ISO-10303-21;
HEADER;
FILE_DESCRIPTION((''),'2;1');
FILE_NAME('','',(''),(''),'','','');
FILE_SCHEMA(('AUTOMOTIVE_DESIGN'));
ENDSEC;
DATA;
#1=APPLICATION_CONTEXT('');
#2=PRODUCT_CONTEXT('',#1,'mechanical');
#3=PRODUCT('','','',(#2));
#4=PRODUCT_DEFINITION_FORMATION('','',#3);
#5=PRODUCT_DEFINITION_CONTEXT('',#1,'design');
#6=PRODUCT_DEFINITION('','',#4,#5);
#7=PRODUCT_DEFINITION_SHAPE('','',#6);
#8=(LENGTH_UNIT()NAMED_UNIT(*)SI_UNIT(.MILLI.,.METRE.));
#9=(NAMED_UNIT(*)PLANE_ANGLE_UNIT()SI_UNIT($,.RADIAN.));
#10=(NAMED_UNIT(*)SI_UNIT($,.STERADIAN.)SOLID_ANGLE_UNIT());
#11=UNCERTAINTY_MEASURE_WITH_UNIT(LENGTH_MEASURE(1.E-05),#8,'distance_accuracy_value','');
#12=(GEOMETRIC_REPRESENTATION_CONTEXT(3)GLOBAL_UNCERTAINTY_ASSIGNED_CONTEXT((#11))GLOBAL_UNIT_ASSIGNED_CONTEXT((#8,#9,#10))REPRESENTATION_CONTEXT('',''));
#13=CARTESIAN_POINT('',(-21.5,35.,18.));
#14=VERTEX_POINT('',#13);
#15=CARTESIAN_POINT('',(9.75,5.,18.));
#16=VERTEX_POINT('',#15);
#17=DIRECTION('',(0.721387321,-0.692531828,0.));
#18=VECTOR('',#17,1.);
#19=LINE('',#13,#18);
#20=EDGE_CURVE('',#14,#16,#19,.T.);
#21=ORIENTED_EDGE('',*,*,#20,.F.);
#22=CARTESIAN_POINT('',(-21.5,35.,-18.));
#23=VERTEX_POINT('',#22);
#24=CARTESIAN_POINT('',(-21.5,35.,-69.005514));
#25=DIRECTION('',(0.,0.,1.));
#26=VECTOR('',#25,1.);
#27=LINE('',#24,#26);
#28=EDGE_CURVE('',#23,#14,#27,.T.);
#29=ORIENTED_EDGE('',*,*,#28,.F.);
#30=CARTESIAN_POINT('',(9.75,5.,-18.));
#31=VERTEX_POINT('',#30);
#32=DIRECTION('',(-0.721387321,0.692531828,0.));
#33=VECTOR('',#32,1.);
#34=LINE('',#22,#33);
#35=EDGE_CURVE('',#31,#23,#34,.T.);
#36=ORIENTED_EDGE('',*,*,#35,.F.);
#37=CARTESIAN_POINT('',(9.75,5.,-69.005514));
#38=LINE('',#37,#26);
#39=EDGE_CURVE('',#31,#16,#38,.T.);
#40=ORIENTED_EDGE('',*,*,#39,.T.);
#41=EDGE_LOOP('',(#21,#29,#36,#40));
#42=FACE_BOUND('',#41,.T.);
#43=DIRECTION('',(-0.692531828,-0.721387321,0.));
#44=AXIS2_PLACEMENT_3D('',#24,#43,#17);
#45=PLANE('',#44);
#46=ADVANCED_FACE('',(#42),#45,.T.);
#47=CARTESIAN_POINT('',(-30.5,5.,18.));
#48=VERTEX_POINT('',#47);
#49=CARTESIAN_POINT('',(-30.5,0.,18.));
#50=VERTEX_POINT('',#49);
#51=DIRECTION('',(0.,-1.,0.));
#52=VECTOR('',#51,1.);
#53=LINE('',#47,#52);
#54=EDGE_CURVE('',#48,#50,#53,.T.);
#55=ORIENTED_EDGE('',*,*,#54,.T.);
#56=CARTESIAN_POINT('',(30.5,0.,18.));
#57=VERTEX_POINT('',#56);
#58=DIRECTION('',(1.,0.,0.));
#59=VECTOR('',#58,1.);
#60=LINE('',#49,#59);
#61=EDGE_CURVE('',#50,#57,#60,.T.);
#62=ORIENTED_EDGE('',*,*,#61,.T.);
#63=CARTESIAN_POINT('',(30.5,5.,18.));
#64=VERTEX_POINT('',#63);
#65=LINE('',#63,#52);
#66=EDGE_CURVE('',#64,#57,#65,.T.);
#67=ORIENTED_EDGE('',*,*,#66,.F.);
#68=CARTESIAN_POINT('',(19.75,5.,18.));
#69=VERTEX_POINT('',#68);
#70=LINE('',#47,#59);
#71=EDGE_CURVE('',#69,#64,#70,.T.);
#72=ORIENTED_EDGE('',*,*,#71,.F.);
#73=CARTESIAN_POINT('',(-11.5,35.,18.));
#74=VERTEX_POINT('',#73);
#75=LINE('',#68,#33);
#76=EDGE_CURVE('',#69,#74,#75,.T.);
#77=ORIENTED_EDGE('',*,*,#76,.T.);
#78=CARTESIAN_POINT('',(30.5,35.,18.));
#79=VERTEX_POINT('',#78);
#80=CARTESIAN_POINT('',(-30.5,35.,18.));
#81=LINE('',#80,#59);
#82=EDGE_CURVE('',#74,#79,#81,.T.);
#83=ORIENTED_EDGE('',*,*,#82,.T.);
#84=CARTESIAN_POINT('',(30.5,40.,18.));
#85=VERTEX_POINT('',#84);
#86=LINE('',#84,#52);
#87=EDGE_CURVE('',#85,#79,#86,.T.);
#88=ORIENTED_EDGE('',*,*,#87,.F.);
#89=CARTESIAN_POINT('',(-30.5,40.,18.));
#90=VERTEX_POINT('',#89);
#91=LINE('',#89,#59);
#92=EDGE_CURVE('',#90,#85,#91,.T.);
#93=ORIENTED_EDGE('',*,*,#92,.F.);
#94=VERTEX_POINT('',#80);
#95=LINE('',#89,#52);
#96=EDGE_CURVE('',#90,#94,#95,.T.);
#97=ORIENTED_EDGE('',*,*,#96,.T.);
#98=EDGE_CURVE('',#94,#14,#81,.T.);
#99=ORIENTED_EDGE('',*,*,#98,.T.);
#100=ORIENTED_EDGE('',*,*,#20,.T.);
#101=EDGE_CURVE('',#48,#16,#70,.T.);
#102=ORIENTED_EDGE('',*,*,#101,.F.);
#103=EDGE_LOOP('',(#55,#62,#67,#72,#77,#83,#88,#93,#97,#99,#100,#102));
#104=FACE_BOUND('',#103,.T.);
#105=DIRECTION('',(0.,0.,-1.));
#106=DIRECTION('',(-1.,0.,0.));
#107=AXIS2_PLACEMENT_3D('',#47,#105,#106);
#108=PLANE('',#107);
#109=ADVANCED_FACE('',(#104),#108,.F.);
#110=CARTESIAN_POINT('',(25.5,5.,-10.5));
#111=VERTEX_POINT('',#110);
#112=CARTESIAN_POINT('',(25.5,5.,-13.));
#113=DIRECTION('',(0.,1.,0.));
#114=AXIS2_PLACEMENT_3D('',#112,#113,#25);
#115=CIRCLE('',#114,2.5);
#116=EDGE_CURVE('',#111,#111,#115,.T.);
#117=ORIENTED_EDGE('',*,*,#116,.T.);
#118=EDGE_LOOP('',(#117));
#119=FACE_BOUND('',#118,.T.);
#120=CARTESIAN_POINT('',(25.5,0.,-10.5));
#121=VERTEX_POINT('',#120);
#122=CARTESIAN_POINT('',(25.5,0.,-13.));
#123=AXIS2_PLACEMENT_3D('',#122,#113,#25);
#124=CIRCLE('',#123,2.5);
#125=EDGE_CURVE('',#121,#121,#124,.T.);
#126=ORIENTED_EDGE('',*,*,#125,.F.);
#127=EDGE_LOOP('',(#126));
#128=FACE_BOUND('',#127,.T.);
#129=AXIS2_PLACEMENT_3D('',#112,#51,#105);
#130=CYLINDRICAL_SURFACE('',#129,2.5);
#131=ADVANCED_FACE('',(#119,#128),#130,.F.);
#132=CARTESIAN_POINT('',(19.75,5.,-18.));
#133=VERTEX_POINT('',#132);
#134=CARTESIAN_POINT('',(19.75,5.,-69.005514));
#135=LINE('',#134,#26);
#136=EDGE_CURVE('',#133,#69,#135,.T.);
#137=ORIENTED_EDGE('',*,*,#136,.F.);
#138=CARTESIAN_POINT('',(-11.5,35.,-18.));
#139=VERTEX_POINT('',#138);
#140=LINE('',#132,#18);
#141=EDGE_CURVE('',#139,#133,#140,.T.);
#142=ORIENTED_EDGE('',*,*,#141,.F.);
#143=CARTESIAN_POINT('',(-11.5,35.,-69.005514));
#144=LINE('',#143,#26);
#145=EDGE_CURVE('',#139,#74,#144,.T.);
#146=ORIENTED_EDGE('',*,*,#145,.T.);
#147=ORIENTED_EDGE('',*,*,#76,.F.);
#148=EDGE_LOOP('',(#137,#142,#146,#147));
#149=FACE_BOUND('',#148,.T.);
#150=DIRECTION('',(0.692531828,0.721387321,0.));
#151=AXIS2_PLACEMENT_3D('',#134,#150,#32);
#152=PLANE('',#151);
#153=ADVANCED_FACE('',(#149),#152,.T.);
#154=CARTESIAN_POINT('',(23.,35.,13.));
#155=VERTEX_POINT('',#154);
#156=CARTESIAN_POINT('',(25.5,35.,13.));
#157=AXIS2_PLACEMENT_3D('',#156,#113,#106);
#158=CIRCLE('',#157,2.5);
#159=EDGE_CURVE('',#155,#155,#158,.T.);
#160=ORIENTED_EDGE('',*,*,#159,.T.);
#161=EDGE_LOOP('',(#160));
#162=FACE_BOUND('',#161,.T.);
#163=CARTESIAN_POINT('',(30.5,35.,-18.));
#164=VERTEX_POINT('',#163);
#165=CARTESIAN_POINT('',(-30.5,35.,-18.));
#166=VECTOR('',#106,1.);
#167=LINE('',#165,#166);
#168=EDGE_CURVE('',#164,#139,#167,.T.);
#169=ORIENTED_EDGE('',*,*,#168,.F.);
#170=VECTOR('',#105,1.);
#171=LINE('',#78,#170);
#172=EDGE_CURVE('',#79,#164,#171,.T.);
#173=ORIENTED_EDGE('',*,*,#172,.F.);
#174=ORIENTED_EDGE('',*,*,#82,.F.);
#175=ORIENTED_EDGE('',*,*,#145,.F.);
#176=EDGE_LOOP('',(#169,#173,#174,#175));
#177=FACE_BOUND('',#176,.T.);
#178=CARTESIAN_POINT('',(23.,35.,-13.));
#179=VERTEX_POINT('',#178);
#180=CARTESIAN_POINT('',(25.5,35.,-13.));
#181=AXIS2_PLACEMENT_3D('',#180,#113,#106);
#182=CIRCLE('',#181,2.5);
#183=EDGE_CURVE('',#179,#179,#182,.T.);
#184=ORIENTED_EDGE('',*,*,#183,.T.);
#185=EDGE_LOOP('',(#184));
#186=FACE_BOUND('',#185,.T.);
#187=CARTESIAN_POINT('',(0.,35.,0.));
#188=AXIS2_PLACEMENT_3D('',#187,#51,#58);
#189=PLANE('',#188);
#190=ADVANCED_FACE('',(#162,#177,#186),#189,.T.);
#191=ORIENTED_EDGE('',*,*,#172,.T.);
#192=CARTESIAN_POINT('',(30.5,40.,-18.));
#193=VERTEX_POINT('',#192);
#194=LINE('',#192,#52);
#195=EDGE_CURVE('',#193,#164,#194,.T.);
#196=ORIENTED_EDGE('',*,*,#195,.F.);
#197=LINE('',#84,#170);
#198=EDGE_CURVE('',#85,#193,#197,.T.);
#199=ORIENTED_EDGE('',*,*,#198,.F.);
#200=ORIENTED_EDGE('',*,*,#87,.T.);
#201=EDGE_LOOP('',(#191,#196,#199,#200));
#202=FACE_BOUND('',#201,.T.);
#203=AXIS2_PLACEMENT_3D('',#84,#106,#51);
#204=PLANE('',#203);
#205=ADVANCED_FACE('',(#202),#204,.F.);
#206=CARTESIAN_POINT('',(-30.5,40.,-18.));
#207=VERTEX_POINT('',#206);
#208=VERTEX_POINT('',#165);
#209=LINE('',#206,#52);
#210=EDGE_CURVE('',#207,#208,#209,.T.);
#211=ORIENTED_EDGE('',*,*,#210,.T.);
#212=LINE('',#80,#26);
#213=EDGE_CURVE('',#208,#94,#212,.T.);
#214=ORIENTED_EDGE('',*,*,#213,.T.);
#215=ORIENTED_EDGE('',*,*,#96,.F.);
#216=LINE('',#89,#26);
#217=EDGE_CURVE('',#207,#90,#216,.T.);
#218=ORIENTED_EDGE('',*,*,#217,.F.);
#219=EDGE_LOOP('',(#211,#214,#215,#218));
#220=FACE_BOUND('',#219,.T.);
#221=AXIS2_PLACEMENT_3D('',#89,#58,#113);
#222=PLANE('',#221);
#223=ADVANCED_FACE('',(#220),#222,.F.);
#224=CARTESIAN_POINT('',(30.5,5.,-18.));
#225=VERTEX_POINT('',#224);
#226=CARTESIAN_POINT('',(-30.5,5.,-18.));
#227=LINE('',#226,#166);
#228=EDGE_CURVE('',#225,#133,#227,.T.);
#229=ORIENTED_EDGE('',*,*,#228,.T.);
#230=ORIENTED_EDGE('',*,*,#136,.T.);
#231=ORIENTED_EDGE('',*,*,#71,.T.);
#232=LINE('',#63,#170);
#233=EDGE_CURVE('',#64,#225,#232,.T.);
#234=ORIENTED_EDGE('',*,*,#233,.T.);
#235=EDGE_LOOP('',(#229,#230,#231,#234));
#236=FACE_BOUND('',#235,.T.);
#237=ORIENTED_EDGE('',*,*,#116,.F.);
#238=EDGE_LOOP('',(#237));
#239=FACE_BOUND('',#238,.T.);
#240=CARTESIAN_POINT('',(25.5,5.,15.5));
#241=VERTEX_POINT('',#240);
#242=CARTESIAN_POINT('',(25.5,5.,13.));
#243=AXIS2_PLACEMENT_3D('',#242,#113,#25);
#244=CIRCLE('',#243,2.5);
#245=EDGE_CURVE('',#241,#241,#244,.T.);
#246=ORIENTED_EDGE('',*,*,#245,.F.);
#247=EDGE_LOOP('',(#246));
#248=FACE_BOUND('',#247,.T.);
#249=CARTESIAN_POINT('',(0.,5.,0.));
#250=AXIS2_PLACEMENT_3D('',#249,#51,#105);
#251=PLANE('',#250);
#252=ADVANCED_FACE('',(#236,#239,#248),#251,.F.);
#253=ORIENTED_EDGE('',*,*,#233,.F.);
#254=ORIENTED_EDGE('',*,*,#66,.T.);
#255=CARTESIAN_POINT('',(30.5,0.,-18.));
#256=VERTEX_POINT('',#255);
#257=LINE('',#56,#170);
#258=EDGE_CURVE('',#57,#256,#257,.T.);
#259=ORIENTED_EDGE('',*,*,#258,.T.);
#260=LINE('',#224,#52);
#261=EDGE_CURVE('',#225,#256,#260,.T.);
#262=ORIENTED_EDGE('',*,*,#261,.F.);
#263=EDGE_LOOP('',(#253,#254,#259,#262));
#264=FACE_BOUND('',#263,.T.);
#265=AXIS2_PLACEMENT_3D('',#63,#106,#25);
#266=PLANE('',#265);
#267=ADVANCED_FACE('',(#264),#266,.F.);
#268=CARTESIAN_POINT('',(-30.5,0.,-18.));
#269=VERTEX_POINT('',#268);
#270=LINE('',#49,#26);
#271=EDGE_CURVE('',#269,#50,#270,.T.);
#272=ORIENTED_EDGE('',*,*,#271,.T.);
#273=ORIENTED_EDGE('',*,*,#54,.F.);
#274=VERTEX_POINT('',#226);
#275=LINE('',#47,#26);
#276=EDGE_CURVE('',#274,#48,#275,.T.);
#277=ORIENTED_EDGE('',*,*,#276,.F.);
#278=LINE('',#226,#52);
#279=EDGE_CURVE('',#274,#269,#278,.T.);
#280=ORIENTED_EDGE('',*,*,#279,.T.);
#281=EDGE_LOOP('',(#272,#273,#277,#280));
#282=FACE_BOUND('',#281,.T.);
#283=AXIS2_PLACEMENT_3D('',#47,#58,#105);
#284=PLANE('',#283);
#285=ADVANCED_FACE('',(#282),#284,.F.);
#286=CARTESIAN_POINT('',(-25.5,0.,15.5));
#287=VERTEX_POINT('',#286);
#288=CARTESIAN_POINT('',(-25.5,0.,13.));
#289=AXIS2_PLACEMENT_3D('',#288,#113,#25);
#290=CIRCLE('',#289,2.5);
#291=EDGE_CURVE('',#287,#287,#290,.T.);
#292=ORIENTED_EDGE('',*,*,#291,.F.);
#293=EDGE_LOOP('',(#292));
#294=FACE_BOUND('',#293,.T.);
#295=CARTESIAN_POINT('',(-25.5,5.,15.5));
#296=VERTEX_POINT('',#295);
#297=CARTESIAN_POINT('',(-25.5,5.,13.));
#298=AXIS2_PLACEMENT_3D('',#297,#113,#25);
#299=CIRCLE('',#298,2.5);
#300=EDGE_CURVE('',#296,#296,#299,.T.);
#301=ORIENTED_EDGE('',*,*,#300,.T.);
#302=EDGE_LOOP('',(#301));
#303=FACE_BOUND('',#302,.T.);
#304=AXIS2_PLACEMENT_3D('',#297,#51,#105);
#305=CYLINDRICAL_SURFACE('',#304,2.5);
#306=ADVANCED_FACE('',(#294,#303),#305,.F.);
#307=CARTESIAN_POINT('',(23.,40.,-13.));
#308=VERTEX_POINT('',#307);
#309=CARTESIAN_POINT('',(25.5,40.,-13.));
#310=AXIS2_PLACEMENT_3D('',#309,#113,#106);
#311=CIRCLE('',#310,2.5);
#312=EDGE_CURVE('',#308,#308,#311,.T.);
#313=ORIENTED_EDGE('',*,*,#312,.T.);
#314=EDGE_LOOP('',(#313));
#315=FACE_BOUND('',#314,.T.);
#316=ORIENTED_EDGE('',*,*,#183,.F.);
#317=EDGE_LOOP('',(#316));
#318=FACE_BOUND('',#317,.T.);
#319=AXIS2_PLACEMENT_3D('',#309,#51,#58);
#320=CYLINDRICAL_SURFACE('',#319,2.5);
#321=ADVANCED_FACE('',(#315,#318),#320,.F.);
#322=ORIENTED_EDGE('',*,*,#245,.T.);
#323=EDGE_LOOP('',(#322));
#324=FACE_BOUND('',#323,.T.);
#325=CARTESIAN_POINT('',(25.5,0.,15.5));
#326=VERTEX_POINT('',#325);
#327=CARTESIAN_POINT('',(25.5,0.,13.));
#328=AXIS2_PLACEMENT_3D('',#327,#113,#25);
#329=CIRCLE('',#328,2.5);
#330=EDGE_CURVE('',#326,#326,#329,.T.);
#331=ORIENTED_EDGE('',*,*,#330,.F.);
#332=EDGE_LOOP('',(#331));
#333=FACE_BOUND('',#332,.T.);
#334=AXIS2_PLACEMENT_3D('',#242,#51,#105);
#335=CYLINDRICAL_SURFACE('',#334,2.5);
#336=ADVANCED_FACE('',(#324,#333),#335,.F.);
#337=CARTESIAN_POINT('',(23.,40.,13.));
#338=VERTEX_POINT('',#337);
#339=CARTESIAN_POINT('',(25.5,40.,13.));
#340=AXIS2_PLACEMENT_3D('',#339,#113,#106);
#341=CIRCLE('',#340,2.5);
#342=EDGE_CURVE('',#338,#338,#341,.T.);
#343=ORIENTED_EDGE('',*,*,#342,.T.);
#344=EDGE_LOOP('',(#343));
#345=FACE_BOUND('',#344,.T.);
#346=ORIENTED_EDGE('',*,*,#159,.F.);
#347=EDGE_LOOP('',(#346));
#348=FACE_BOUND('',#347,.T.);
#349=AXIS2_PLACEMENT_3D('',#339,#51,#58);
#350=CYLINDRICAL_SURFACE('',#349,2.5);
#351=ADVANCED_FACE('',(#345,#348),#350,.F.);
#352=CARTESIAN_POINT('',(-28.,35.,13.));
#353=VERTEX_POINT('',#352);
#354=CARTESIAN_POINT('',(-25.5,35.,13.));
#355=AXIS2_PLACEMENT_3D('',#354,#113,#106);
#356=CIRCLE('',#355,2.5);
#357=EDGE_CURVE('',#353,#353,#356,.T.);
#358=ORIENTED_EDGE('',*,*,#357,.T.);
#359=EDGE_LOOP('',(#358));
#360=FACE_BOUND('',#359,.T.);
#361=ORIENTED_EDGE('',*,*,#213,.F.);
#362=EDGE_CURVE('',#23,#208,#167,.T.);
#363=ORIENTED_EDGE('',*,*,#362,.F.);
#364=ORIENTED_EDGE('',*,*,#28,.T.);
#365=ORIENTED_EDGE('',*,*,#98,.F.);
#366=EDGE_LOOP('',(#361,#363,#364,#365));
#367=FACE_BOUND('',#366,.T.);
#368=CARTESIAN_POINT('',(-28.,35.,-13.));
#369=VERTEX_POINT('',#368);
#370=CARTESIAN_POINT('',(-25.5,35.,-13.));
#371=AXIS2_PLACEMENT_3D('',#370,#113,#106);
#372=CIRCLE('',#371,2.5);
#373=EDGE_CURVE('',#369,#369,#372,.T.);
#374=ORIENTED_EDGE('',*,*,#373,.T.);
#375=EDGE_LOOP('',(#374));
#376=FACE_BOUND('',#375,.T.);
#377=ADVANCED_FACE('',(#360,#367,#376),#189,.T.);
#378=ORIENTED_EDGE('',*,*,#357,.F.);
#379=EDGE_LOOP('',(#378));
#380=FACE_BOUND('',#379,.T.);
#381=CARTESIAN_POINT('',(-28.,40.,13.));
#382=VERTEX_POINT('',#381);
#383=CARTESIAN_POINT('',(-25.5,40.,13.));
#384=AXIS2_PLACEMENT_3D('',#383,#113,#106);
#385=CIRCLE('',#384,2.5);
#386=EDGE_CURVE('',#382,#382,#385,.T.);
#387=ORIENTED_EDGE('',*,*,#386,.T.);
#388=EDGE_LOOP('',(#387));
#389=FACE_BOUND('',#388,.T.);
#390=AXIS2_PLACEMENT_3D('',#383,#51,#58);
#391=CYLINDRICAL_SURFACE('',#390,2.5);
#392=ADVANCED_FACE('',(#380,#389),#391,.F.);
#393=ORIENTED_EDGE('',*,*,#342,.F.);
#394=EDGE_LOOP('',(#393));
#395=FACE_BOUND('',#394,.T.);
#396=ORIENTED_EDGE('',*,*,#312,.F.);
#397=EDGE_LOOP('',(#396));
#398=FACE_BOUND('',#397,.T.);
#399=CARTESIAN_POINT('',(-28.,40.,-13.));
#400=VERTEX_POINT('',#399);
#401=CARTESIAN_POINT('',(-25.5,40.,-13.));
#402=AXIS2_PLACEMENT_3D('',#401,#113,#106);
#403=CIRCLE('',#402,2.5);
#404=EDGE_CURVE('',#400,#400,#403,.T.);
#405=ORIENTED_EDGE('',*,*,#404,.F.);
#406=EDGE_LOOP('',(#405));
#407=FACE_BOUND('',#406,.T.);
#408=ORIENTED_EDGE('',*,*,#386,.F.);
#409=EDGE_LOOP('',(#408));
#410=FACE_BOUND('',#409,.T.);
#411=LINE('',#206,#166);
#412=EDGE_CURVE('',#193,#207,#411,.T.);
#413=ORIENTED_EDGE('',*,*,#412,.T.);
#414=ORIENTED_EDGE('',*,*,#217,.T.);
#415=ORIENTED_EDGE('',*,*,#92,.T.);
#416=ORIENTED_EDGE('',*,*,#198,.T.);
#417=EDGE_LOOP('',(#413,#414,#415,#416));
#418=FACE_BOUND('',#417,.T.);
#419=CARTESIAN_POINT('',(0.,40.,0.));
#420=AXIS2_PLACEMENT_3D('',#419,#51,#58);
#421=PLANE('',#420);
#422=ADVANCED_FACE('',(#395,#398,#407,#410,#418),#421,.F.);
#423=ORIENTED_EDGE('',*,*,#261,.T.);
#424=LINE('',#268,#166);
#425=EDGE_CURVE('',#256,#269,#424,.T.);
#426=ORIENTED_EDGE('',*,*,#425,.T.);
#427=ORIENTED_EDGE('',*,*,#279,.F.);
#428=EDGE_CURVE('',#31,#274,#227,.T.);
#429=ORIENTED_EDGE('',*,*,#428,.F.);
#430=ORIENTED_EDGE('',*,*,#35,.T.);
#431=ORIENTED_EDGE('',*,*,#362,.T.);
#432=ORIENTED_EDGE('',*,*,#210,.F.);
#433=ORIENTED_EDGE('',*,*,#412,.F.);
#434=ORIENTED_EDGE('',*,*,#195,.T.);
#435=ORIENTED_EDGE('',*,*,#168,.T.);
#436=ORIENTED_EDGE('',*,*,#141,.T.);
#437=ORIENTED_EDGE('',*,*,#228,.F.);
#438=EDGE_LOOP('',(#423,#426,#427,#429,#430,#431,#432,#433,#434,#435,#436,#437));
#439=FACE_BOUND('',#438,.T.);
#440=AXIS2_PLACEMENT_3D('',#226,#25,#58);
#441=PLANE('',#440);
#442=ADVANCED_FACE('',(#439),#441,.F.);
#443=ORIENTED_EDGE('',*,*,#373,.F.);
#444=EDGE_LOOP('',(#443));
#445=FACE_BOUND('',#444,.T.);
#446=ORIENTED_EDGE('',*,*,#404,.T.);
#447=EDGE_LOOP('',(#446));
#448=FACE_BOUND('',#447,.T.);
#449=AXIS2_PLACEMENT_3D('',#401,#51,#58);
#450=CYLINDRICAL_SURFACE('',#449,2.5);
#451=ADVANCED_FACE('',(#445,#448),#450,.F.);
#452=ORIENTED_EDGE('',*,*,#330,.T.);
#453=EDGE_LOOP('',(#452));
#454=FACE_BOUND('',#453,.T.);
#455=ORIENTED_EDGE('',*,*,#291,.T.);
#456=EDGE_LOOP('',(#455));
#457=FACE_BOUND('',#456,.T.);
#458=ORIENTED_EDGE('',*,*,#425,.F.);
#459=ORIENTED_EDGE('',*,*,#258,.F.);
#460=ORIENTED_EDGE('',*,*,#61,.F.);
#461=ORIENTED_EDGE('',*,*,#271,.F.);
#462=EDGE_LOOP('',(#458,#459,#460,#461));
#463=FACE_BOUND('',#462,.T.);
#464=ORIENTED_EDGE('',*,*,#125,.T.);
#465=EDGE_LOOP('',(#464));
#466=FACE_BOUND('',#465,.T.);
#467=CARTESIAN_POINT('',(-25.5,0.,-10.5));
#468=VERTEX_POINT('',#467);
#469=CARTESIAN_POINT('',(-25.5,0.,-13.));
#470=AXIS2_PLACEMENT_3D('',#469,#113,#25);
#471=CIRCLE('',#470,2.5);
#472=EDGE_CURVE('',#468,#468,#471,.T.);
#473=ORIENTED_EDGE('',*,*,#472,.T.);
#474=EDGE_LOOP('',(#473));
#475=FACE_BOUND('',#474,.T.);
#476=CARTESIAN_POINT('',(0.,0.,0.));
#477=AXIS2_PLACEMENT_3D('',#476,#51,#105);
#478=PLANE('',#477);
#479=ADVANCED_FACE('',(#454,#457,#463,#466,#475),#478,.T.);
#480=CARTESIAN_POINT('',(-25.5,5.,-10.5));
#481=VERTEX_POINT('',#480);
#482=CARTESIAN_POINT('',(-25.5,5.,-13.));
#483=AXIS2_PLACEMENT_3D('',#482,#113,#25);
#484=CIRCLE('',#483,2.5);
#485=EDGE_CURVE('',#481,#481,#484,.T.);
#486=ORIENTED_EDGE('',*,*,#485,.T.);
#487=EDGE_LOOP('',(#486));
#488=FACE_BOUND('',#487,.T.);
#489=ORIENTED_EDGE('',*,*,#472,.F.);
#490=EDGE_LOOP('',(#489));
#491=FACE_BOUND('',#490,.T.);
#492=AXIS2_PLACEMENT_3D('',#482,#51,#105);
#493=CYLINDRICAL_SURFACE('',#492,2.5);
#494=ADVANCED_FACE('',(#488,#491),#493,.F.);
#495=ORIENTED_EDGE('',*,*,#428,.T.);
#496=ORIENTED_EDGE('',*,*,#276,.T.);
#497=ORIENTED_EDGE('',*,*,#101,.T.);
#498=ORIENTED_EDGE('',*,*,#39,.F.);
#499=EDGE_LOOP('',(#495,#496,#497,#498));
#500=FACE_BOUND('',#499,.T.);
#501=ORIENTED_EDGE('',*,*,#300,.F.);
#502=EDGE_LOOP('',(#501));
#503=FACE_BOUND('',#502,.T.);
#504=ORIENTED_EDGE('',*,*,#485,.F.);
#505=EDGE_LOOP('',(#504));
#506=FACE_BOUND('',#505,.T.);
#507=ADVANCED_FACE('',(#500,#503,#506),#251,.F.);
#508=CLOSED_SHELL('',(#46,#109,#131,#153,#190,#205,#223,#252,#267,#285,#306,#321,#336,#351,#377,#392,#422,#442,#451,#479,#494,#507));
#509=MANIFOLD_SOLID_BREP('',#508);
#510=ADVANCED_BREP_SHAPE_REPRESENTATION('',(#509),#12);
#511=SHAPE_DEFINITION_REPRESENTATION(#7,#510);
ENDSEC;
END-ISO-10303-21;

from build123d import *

# Parameters (mm, degrees)
SKETCH1_W           = 61
SKETCH1_H           = 36
SKETCH1_R           = 2.5
BOSS_EXTRUDE1_DEPTH = 5
BOSS_EXTRUDE3_DEPTH = 36
SKETCH5_W           = 61
SKETCH5_H           = 36
SKETCH5_R           = 2.5
BOSS_EXTRUDE4_DEPTH = 5


with BuildPart() as part:
    # Sketch1 → Boss-Extrude1 (new body)
    with BuildSketch(Plane(origin=(0, 0, 0), x_dir=(1, 0, 0), z_dir=(0, 1, 0))):
        Rectangle(SKETCH1_W, SKETCH1_H)
        with Locations(Location((-25.5, 13, 0), (0, 0, 270))):
            Circle(SKETCH1_R, mode=Mode.SUBTRACT)
        with Locations(Location((25.5, 13, 0), (0, 0, 270))):
            Circle(SKETCH1_R, mode=Mode.SUBTRACT)
        with Locations(Location((25.5, -13, 0), (0, 0, 270))):
            Circle(SKETCH1_R, mode=Mode.SUBTRACT)
        with Locations(Location((-25.5, -13, 0), (0, 0, 270))):
            Circle(SKETCH1_R, mode=Mode.SUBTRACT)
    extrude(amount=BOSS_EXTRUDE1_DEPTH)

    # Sketch4 → Boss-Extrude3 (add)
    with BuildSketch(Plane.XY.offset(18)):
        Polygon((19.75, 5), (-11.5, 35), (-21.5, 35), (9.75, 5), align=None)
    extrude(amount=-BOSS_EXTRUDE3_DEPTH)

    # Sketch5 → Boss-Extrude4 (add)
    with BuildSketch(Plane(origin=(0, 35, 0), x_dir=(1, 0, 0), z_dir=(0, 1, 0))):
        Rectangle(SKETCH5_W, SKETCH5_H)
        with Locations(Location((-25.5, -13, 0), (0, 0, 270))):
            Circle(SKETCH5_R, mode=Mode.SUBTRACT)
        with Locations(Location((-25.5, 13, 0), (0, 0, 270))):
            Circle(SKETCH5_R, mode=Mode.SUBTRACT)
        with Locations(Location((25.5, 13, 0), (0, 0, 270))):
            Circle(SKETCH5_R, mode=Mode.SUBTRACT)
        with Locations(Location((25.5, -13, 0), (0, 0, 270))):
            Circle(SKETCH5_R, mode=Mode.SUBTRACT)
    extrude(amount=BOSS_EXTRUDE4_DEPTH)


solid = part.part
